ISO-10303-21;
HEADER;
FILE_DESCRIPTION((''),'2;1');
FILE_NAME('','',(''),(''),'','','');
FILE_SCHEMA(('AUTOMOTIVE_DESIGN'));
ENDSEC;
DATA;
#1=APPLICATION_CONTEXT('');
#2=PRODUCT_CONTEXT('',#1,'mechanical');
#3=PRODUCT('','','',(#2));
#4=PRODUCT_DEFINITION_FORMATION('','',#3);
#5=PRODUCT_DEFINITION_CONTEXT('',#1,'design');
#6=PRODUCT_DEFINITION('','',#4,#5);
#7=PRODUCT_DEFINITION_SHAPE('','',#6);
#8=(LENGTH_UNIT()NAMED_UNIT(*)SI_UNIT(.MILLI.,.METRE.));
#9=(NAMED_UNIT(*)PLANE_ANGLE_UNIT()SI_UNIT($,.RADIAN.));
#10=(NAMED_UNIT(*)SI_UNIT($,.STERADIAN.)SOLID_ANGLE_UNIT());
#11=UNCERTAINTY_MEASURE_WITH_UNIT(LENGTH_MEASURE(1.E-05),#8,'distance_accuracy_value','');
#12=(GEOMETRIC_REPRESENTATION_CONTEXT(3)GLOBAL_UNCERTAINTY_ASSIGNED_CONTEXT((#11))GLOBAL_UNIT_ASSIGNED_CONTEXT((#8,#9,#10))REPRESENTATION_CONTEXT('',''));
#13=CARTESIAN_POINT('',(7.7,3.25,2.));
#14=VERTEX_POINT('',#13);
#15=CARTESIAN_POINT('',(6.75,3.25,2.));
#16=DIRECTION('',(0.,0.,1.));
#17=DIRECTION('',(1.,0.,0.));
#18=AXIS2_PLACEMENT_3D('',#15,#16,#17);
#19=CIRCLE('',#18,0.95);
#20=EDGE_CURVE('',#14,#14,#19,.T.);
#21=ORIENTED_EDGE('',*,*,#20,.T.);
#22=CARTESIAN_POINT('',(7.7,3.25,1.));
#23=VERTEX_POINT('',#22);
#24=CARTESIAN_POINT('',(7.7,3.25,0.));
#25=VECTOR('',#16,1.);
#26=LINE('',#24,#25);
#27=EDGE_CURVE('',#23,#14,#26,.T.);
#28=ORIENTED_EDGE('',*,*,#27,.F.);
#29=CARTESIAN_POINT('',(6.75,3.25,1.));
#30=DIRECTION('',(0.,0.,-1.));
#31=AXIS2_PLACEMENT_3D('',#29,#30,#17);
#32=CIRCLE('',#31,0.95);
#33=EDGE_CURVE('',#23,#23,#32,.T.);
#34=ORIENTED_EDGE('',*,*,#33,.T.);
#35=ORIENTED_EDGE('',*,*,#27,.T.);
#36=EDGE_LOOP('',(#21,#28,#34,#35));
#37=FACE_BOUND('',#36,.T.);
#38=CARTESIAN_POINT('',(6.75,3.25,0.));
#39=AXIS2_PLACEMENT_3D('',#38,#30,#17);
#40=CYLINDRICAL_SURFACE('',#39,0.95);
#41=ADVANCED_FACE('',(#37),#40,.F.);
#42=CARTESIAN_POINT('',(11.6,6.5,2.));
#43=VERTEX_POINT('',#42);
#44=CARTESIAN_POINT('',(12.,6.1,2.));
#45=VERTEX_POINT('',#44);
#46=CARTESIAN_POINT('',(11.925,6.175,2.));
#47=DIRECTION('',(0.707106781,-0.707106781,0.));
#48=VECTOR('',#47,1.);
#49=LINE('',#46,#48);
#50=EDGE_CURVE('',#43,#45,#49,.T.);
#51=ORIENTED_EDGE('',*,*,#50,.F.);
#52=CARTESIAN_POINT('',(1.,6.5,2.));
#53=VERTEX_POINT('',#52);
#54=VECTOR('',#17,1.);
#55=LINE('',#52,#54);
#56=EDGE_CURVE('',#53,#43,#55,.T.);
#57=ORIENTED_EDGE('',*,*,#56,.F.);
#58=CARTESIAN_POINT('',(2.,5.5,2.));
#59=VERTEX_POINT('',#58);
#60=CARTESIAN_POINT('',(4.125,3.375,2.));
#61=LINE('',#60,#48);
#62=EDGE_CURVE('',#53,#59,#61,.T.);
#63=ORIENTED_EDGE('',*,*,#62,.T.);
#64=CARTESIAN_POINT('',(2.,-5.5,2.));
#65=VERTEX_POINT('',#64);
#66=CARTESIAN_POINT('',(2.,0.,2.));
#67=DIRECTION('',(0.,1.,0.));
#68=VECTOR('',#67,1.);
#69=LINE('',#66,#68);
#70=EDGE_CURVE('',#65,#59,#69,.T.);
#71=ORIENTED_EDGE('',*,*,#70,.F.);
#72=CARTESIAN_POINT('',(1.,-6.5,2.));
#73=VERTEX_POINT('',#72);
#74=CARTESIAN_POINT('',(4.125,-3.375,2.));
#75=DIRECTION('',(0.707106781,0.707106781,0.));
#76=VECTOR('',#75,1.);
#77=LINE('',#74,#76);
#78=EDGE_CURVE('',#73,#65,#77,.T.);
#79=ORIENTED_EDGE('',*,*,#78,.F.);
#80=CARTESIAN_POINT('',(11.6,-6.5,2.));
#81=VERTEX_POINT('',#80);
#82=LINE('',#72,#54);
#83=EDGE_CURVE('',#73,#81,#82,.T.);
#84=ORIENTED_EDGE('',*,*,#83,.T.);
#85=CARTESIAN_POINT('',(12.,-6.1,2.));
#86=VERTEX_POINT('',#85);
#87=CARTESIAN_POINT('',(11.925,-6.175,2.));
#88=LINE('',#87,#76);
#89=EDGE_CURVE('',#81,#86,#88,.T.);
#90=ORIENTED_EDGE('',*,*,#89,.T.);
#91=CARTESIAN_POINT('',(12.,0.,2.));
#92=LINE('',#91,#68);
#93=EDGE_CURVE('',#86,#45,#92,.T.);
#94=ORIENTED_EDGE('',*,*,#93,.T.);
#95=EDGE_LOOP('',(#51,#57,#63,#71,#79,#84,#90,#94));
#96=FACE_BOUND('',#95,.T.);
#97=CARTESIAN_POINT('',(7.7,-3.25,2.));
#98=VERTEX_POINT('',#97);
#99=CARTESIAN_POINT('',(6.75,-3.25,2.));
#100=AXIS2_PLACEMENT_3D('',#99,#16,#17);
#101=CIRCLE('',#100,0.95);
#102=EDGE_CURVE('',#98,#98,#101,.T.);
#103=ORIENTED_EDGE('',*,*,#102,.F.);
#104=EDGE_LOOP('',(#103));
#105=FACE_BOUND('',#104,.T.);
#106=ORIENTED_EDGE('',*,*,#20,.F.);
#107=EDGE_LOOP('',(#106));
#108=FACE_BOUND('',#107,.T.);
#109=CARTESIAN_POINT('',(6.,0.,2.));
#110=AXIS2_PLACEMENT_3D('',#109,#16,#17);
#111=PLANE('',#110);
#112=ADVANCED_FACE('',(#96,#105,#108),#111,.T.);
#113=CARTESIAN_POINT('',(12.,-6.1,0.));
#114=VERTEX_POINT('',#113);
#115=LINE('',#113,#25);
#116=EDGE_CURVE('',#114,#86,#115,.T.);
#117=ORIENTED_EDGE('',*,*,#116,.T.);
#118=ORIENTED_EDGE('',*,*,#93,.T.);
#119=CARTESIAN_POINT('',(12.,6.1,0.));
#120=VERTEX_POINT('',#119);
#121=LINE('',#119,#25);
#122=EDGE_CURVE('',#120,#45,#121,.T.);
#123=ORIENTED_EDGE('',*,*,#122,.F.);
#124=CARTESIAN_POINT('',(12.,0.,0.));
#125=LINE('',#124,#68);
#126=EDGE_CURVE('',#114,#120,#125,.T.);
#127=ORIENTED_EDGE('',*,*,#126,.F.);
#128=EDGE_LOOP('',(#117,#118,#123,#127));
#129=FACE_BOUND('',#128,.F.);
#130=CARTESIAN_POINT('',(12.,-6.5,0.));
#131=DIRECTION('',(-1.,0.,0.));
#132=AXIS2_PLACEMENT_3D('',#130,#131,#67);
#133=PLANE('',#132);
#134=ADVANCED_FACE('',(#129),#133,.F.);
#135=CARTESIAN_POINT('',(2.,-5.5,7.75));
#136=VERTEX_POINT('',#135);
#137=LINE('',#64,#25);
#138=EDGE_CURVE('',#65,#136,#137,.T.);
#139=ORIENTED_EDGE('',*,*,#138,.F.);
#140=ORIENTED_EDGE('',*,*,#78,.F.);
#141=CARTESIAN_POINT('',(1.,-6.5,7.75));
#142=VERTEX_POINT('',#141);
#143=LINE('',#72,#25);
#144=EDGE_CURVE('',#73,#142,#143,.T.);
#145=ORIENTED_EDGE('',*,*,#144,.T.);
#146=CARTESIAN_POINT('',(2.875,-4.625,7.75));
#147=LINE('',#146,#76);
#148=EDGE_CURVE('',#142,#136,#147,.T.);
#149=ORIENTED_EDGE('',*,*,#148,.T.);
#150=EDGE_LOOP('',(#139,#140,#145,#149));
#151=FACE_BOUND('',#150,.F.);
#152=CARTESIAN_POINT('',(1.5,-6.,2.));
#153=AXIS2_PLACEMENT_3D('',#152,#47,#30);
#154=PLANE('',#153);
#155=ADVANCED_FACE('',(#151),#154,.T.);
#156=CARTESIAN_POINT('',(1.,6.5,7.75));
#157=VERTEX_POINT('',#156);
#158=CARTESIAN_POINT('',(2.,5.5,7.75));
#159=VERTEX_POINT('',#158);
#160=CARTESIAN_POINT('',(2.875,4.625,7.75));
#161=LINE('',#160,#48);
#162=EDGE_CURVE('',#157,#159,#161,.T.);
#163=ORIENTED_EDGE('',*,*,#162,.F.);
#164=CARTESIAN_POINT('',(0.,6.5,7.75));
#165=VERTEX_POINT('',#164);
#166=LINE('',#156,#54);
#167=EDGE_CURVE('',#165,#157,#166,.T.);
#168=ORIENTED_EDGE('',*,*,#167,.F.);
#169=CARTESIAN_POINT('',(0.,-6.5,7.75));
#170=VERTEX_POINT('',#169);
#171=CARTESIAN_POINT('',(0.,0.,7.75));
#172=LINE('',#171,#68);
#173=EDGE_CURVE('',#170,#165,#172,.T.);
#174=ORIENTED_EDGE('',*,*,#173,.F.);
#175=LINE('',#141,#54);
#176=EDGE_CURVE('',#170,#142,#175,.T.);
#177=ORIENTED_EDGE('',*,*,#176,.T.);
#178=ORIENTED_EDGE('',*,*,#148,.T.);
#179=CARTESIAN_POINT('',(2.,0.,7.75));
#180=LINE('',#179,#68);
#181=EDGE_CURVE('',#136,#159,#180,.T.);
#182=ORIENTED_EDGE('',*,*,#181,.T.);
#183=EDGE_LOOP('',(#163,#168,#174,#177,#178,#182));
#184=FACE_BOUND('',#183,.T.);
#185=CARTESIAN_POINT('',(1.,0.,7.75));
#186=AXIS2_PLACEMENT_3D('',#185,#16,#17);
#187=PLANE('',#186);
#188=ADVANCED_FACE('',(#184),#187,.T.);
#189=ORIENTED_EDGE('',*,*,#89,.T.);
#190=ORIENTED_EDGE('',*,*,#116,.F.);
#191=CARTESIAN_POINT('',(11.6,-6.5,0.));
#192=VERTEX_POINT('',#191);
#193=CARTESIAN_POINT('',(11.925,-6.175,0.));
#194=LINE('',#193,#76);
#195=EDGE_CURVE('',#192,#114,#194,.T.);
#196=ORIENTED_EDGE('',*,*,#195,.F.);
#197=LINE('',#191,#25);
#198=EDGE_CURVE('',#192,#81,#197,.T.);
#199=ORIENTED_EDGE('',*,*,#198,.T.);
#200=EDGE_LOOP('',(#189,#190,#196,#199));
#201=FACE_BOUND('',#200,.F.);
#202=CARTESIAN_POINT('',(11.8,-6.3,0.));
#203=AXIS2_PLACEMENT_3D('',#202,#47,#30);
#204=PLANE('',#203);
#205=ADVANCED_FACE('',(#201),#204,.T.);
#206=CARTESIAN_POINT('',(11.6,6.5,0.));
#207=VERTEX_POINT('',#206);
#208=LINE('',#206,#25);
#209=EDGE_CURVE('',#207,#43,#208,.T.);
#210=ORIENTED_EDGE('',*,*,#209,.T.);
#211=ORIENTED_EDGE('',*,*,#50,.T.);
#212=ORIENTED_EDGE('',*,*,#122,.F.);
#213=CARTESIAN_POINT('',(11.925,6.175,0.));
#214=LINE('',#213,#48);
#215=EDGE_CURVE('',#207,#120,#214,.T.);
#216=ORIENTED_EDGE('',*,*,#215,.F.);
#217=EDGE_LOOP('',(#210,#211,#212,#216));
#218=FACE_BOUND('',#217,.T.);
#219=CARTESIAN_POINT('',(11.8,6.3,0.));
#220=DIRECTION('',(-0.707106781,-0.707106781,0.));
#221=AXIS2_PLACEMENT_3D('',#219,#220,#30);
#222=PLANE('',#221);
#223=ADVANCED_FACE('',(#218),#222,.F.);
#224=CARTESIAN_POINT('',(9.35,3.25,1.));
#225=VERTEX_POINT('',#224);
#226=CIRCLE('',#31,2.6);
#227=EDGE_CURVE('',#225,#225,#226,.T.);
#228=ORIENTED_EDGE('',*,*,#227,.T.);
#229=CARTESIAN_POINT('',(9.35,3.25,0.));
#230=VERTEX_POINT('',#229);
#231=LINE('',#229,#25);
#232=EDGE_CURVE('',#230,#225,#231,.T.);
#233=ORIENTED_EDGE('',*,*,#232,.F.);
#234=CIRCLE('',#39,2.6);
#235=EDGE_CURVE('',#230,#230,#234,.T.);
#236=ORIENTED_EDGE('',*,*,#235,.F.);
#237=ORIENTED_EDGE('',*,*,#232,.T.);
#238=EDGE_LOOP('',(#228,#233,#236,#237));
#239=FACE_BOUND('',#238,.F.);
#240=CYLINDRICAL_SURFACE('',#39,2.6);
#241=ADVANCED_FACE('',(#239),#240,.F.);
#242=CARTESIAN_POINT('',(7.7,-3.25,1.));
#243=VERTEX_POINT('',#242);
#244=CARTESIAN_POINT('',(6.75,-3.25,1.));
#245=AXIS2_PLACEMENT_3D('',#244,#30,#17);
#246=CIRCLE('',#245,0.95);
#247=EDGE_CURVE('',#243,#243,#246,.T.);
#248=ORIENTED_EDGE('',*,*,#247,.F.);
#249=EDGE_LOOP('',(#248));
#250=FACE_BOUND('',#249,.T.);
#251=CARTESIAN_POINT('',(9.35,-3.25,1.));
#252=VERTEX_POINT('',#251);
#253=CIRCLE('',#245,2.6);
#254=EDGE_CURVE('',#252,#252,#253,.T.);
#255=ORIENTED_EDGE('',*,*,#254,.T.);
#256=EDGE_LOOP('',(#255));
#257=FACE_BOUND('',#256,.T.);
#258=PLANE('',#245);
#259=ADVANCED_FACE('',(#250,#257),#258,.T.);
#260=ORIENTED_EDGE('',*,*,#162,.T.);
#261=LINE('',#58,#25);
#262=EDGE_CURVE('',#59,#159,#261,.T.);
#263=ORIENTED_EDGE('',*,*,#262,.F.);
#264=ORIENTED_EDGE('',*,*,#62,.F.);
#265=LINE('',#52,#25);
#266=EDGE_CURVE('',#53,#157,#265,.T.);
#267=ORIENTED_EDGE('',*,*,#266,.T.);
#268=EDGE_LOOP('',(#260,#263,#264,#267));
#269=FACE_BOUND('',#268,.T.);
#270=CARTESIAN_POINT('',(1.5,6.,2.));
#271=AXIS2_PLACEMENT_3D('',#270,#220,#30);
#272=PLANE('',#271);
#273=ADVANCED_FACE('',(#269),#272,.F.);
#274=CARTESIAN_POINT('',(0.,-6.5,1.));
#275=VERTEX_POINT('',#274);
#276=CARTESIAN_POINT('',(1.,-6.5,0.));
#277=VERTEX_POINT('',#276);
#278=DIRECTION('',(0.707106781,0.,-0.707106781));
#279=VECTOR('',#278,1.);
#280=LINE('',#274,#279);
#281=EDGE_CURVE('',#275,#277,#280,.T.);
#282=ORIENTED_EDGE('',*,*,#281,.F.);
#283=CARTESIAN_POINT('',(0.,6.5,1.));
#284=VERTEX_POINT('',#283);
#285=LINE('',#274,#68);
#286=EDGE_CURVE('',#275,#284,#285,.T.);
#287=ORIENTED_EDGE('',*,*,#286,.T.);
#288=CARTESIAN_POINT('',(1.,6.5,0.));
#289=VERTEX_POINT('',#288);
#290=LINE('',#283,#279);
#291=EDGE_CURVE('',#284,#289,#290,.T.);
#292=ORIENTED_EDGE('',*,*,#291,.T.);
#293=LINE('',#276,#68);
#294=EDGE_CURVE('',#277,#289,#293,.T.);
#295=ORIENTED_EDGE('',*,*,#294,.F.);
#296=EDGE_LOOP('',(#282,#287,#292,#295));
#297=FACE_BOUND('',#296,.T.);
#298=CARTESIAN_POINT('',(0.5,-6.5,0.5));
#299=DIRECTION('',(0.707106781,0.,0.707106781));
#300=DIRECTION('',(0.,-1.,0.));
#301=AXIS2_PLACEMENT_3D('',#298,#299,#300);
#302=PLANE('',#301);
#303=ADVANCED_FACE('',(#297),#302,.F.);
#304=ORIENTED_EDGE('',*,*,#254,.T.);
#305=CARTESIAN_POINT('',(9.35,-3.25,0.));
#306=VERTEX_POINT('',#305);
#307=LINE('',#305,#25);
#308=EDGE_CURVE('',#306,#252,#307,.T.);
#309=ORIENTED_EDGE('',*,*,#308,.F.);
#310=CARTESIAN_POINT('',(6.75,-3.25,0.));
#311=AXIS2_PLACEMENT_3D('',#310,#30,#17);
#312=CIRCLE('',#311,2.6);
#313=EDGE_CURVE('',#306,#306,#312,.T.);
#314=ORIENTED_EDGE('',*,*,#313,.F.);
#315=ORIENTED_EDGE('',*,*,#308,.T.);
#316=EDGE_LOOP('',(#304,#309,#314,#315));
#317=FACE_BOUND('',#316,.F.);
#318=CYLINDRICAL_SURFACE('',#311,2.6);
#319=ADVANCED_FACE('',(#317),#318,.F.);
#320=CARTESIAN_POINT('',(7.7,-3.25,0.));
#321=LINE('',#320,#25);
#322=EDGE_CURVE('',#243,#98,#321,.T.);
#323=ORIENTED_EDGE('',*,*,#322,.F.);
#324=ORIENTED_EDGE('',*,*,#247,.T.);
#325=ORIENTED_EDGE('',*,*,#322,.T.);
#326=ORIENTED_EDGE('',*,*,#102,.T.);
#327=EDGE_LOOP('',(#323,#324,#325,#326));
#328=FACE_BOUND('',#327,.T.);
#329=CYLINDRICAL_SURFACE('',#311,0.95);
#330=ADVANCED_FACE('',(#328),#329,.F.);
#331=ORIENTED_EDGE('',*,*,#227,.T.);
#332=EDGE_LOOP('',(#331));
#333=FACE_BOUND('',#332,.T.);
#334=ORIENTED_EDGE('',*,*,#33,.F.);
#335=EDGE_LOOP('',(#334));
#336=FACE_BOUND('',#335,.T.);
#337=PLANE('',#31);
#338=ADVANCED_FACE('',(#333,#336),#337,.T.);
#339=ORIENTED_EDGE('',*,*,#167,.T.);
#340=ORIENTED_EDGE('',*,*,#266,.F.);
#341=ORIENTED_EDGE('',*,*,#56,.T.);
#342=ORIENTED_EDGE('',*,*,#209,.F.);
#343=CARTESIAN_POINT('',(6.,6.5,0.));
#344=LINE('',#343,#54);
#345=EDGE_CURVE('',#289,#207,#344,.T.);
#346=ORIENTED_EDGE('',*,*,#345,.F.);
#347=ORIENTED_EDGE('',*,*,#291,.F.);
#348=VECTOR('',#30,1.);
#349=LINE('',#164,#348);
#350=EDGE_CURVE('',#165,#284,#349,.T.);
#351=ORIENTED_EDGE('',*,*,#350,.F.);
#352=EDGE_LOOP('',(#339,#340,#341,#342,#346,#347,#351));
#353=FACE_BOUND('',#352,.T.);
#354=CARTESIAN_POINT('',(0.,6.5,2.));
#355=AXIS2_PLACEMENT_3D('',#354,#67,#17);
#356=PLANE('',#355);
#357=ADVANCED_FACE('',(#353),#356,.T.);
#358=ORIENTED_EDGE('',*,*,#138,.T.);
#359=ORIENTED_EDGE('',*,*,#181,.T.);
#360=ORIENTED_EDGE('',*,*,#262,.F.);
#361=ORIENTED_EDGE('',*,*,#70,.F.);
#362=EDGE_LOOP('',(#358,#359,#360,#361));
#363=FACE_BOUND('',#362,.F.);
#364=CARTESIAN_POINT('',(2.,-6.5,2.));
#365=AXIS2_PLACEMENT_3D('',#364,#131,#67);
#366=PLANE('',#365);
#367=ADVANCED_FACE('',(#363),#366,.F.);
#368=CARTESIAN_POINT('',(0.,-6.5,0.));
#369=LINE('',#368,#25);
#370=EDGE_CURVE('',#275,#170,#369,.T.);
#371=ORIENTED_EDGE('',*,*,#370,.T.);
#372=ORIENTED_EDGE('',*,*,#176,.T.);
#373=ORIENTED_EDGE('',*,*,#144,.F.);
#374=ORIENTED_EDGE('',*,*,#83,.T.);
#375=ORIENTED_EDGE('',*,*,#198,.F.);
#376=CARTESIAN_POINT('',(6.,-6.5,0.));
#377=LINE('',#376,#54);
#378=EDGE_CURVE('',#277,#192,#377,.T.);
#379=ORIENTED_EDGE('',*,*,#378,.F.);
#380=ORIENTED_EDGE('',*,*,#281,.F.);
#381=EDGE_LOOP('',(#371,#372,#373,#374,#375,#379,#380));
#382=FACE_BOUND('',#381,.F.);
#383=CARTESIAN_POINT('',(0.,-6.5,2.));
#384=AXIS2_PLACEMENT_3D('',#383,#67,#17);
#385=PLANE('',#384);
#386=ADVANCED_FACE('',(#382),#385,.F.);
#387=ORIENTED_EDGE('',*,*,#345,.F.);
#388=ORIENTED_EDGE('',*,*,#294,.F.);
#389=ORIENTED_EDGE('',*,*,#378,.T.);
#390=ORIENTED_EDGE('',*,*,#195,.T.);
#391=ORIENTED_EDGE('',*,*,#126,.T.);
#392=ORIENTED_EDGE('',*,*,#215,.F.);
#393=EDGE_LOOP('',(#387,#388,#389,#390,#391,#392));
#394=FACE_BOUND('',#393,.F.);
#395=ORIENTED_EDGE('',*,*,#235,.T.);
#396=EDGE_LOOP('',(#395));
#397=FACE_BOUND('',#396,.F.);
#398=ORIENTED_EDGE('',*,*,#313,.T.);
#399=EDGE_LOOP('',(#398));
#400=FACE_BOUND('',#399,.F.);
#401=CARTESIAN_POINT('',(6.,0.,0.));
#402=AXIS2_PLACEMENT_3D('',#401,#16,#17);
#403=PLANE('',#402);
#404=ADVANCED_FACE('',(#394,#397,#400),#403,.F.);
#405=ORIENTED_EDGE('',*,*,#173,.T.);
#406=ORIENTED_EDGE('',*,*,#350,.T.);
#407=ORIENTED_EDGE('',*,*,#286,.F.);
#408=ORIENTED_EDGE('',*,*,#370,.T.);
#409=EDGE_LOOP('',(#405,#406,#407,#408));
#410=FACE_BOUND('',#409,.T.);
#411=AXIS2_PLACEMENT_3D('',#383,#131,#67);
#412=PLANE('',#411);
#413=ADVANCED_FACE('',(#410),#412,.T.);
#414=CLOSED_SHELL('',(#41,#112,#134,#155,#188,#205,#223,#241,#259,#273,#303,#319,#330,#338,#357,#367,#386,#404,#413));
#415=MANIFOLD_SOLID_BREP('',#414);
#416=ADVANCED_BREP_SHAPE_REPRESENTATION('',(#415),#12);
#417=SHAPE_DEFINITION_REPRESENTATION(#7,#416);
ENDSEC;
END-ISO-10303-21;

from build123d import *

# Parameters (mm, degrees)
SKETCH002_W                                = 12
SKETCH002_H                                = 13
SKETCH002_R                                = 0.95
PAD001007_DEPTH                            = 2
SKETCH003_W                                = 2
SKETCH003_H                                = 13
PAD002_DEPTH                               = 5.75
SKETCH004_R                                = 2.6
POCKET001_DEPTH                            = 1
CHAMFER005021077002006007019003032014_SIZE = 1
CHAMFER001_SIZE                            = 1
CHAMFER002_SIZE                            = 0.4


with BuildPart() as part:
    # Sketch002 → Pad001007 (new body)
    with BuildSketch(Plane.XY):
        with Locations((6, 0)):
            Rectangle(SKETCH002_W, SKETCH002_H)
        with Locations((6.75, 3.25)):
            Circle(SKETCH002_R, mode=Mode.SUBTRACT)
        with Locations((6.75, -3.25)):
            Circle(SKETCH002_R, mode=Mode.SUBTRACT)
    extrude(amount=PAD001007_DEPTH)

    # Sketch003 (on Face8 of Pad001007) → Pad002 (join)
    with BuildSketch(Plane.XY.offset(2)):
        with Locations((1, 0)):
            Rectangle(SKETCH003_W, SKETCH003_H)
    extrude(amount=PAD002_DEPTH)

    # Sketch004 (on Face4 of Pad002) → Pocket001 (cut)
    with BuildSketch(Plane(origin=(0, 0, 0), x_dir=(1, 0, 0), z_dir=(0, 0, -1))):
        with Locations((6.75, 3.25)):
            Circle(SKETCH004_R)
        with Locations((6.75, -3.25)):
            Circle(SKETCH004_R)
    extrude(amount=-POCKET001_DEPTH, mode=Mode.SUBTRACT)

    # Chamfer005021077002006007019003032014
    chamfer005021077002006007019003032014_edges = [part.edges().sort_by_distance(p)[0] for p in [
        (0, 0, 0),
    ]]
    chamfer(chamfer005021077002006007019003032014_edges, length=CHAMFER005021077002006007019003032014_SIZE)

    # Chamfer001
    chamfer001_edges = [part.edges().sort_by_distance(p)[0] for p in [
        (2, 6.5, 4.875),
        (2, -6.5, 4.875),
    ]]
    chamfer(chamfer001_edges, length=CHAMFER001_SIZE)

    # Chamfer002
    chamfer002_edges = [part.edges().sort_by_distance(p)[0] for p in [
        (12, 6.5, 1),
        (12, -6.5, 1),
    ]]
    chamfer(chamfer002_edges, length=CHAMFER002_SIZE)


solid = part.part
